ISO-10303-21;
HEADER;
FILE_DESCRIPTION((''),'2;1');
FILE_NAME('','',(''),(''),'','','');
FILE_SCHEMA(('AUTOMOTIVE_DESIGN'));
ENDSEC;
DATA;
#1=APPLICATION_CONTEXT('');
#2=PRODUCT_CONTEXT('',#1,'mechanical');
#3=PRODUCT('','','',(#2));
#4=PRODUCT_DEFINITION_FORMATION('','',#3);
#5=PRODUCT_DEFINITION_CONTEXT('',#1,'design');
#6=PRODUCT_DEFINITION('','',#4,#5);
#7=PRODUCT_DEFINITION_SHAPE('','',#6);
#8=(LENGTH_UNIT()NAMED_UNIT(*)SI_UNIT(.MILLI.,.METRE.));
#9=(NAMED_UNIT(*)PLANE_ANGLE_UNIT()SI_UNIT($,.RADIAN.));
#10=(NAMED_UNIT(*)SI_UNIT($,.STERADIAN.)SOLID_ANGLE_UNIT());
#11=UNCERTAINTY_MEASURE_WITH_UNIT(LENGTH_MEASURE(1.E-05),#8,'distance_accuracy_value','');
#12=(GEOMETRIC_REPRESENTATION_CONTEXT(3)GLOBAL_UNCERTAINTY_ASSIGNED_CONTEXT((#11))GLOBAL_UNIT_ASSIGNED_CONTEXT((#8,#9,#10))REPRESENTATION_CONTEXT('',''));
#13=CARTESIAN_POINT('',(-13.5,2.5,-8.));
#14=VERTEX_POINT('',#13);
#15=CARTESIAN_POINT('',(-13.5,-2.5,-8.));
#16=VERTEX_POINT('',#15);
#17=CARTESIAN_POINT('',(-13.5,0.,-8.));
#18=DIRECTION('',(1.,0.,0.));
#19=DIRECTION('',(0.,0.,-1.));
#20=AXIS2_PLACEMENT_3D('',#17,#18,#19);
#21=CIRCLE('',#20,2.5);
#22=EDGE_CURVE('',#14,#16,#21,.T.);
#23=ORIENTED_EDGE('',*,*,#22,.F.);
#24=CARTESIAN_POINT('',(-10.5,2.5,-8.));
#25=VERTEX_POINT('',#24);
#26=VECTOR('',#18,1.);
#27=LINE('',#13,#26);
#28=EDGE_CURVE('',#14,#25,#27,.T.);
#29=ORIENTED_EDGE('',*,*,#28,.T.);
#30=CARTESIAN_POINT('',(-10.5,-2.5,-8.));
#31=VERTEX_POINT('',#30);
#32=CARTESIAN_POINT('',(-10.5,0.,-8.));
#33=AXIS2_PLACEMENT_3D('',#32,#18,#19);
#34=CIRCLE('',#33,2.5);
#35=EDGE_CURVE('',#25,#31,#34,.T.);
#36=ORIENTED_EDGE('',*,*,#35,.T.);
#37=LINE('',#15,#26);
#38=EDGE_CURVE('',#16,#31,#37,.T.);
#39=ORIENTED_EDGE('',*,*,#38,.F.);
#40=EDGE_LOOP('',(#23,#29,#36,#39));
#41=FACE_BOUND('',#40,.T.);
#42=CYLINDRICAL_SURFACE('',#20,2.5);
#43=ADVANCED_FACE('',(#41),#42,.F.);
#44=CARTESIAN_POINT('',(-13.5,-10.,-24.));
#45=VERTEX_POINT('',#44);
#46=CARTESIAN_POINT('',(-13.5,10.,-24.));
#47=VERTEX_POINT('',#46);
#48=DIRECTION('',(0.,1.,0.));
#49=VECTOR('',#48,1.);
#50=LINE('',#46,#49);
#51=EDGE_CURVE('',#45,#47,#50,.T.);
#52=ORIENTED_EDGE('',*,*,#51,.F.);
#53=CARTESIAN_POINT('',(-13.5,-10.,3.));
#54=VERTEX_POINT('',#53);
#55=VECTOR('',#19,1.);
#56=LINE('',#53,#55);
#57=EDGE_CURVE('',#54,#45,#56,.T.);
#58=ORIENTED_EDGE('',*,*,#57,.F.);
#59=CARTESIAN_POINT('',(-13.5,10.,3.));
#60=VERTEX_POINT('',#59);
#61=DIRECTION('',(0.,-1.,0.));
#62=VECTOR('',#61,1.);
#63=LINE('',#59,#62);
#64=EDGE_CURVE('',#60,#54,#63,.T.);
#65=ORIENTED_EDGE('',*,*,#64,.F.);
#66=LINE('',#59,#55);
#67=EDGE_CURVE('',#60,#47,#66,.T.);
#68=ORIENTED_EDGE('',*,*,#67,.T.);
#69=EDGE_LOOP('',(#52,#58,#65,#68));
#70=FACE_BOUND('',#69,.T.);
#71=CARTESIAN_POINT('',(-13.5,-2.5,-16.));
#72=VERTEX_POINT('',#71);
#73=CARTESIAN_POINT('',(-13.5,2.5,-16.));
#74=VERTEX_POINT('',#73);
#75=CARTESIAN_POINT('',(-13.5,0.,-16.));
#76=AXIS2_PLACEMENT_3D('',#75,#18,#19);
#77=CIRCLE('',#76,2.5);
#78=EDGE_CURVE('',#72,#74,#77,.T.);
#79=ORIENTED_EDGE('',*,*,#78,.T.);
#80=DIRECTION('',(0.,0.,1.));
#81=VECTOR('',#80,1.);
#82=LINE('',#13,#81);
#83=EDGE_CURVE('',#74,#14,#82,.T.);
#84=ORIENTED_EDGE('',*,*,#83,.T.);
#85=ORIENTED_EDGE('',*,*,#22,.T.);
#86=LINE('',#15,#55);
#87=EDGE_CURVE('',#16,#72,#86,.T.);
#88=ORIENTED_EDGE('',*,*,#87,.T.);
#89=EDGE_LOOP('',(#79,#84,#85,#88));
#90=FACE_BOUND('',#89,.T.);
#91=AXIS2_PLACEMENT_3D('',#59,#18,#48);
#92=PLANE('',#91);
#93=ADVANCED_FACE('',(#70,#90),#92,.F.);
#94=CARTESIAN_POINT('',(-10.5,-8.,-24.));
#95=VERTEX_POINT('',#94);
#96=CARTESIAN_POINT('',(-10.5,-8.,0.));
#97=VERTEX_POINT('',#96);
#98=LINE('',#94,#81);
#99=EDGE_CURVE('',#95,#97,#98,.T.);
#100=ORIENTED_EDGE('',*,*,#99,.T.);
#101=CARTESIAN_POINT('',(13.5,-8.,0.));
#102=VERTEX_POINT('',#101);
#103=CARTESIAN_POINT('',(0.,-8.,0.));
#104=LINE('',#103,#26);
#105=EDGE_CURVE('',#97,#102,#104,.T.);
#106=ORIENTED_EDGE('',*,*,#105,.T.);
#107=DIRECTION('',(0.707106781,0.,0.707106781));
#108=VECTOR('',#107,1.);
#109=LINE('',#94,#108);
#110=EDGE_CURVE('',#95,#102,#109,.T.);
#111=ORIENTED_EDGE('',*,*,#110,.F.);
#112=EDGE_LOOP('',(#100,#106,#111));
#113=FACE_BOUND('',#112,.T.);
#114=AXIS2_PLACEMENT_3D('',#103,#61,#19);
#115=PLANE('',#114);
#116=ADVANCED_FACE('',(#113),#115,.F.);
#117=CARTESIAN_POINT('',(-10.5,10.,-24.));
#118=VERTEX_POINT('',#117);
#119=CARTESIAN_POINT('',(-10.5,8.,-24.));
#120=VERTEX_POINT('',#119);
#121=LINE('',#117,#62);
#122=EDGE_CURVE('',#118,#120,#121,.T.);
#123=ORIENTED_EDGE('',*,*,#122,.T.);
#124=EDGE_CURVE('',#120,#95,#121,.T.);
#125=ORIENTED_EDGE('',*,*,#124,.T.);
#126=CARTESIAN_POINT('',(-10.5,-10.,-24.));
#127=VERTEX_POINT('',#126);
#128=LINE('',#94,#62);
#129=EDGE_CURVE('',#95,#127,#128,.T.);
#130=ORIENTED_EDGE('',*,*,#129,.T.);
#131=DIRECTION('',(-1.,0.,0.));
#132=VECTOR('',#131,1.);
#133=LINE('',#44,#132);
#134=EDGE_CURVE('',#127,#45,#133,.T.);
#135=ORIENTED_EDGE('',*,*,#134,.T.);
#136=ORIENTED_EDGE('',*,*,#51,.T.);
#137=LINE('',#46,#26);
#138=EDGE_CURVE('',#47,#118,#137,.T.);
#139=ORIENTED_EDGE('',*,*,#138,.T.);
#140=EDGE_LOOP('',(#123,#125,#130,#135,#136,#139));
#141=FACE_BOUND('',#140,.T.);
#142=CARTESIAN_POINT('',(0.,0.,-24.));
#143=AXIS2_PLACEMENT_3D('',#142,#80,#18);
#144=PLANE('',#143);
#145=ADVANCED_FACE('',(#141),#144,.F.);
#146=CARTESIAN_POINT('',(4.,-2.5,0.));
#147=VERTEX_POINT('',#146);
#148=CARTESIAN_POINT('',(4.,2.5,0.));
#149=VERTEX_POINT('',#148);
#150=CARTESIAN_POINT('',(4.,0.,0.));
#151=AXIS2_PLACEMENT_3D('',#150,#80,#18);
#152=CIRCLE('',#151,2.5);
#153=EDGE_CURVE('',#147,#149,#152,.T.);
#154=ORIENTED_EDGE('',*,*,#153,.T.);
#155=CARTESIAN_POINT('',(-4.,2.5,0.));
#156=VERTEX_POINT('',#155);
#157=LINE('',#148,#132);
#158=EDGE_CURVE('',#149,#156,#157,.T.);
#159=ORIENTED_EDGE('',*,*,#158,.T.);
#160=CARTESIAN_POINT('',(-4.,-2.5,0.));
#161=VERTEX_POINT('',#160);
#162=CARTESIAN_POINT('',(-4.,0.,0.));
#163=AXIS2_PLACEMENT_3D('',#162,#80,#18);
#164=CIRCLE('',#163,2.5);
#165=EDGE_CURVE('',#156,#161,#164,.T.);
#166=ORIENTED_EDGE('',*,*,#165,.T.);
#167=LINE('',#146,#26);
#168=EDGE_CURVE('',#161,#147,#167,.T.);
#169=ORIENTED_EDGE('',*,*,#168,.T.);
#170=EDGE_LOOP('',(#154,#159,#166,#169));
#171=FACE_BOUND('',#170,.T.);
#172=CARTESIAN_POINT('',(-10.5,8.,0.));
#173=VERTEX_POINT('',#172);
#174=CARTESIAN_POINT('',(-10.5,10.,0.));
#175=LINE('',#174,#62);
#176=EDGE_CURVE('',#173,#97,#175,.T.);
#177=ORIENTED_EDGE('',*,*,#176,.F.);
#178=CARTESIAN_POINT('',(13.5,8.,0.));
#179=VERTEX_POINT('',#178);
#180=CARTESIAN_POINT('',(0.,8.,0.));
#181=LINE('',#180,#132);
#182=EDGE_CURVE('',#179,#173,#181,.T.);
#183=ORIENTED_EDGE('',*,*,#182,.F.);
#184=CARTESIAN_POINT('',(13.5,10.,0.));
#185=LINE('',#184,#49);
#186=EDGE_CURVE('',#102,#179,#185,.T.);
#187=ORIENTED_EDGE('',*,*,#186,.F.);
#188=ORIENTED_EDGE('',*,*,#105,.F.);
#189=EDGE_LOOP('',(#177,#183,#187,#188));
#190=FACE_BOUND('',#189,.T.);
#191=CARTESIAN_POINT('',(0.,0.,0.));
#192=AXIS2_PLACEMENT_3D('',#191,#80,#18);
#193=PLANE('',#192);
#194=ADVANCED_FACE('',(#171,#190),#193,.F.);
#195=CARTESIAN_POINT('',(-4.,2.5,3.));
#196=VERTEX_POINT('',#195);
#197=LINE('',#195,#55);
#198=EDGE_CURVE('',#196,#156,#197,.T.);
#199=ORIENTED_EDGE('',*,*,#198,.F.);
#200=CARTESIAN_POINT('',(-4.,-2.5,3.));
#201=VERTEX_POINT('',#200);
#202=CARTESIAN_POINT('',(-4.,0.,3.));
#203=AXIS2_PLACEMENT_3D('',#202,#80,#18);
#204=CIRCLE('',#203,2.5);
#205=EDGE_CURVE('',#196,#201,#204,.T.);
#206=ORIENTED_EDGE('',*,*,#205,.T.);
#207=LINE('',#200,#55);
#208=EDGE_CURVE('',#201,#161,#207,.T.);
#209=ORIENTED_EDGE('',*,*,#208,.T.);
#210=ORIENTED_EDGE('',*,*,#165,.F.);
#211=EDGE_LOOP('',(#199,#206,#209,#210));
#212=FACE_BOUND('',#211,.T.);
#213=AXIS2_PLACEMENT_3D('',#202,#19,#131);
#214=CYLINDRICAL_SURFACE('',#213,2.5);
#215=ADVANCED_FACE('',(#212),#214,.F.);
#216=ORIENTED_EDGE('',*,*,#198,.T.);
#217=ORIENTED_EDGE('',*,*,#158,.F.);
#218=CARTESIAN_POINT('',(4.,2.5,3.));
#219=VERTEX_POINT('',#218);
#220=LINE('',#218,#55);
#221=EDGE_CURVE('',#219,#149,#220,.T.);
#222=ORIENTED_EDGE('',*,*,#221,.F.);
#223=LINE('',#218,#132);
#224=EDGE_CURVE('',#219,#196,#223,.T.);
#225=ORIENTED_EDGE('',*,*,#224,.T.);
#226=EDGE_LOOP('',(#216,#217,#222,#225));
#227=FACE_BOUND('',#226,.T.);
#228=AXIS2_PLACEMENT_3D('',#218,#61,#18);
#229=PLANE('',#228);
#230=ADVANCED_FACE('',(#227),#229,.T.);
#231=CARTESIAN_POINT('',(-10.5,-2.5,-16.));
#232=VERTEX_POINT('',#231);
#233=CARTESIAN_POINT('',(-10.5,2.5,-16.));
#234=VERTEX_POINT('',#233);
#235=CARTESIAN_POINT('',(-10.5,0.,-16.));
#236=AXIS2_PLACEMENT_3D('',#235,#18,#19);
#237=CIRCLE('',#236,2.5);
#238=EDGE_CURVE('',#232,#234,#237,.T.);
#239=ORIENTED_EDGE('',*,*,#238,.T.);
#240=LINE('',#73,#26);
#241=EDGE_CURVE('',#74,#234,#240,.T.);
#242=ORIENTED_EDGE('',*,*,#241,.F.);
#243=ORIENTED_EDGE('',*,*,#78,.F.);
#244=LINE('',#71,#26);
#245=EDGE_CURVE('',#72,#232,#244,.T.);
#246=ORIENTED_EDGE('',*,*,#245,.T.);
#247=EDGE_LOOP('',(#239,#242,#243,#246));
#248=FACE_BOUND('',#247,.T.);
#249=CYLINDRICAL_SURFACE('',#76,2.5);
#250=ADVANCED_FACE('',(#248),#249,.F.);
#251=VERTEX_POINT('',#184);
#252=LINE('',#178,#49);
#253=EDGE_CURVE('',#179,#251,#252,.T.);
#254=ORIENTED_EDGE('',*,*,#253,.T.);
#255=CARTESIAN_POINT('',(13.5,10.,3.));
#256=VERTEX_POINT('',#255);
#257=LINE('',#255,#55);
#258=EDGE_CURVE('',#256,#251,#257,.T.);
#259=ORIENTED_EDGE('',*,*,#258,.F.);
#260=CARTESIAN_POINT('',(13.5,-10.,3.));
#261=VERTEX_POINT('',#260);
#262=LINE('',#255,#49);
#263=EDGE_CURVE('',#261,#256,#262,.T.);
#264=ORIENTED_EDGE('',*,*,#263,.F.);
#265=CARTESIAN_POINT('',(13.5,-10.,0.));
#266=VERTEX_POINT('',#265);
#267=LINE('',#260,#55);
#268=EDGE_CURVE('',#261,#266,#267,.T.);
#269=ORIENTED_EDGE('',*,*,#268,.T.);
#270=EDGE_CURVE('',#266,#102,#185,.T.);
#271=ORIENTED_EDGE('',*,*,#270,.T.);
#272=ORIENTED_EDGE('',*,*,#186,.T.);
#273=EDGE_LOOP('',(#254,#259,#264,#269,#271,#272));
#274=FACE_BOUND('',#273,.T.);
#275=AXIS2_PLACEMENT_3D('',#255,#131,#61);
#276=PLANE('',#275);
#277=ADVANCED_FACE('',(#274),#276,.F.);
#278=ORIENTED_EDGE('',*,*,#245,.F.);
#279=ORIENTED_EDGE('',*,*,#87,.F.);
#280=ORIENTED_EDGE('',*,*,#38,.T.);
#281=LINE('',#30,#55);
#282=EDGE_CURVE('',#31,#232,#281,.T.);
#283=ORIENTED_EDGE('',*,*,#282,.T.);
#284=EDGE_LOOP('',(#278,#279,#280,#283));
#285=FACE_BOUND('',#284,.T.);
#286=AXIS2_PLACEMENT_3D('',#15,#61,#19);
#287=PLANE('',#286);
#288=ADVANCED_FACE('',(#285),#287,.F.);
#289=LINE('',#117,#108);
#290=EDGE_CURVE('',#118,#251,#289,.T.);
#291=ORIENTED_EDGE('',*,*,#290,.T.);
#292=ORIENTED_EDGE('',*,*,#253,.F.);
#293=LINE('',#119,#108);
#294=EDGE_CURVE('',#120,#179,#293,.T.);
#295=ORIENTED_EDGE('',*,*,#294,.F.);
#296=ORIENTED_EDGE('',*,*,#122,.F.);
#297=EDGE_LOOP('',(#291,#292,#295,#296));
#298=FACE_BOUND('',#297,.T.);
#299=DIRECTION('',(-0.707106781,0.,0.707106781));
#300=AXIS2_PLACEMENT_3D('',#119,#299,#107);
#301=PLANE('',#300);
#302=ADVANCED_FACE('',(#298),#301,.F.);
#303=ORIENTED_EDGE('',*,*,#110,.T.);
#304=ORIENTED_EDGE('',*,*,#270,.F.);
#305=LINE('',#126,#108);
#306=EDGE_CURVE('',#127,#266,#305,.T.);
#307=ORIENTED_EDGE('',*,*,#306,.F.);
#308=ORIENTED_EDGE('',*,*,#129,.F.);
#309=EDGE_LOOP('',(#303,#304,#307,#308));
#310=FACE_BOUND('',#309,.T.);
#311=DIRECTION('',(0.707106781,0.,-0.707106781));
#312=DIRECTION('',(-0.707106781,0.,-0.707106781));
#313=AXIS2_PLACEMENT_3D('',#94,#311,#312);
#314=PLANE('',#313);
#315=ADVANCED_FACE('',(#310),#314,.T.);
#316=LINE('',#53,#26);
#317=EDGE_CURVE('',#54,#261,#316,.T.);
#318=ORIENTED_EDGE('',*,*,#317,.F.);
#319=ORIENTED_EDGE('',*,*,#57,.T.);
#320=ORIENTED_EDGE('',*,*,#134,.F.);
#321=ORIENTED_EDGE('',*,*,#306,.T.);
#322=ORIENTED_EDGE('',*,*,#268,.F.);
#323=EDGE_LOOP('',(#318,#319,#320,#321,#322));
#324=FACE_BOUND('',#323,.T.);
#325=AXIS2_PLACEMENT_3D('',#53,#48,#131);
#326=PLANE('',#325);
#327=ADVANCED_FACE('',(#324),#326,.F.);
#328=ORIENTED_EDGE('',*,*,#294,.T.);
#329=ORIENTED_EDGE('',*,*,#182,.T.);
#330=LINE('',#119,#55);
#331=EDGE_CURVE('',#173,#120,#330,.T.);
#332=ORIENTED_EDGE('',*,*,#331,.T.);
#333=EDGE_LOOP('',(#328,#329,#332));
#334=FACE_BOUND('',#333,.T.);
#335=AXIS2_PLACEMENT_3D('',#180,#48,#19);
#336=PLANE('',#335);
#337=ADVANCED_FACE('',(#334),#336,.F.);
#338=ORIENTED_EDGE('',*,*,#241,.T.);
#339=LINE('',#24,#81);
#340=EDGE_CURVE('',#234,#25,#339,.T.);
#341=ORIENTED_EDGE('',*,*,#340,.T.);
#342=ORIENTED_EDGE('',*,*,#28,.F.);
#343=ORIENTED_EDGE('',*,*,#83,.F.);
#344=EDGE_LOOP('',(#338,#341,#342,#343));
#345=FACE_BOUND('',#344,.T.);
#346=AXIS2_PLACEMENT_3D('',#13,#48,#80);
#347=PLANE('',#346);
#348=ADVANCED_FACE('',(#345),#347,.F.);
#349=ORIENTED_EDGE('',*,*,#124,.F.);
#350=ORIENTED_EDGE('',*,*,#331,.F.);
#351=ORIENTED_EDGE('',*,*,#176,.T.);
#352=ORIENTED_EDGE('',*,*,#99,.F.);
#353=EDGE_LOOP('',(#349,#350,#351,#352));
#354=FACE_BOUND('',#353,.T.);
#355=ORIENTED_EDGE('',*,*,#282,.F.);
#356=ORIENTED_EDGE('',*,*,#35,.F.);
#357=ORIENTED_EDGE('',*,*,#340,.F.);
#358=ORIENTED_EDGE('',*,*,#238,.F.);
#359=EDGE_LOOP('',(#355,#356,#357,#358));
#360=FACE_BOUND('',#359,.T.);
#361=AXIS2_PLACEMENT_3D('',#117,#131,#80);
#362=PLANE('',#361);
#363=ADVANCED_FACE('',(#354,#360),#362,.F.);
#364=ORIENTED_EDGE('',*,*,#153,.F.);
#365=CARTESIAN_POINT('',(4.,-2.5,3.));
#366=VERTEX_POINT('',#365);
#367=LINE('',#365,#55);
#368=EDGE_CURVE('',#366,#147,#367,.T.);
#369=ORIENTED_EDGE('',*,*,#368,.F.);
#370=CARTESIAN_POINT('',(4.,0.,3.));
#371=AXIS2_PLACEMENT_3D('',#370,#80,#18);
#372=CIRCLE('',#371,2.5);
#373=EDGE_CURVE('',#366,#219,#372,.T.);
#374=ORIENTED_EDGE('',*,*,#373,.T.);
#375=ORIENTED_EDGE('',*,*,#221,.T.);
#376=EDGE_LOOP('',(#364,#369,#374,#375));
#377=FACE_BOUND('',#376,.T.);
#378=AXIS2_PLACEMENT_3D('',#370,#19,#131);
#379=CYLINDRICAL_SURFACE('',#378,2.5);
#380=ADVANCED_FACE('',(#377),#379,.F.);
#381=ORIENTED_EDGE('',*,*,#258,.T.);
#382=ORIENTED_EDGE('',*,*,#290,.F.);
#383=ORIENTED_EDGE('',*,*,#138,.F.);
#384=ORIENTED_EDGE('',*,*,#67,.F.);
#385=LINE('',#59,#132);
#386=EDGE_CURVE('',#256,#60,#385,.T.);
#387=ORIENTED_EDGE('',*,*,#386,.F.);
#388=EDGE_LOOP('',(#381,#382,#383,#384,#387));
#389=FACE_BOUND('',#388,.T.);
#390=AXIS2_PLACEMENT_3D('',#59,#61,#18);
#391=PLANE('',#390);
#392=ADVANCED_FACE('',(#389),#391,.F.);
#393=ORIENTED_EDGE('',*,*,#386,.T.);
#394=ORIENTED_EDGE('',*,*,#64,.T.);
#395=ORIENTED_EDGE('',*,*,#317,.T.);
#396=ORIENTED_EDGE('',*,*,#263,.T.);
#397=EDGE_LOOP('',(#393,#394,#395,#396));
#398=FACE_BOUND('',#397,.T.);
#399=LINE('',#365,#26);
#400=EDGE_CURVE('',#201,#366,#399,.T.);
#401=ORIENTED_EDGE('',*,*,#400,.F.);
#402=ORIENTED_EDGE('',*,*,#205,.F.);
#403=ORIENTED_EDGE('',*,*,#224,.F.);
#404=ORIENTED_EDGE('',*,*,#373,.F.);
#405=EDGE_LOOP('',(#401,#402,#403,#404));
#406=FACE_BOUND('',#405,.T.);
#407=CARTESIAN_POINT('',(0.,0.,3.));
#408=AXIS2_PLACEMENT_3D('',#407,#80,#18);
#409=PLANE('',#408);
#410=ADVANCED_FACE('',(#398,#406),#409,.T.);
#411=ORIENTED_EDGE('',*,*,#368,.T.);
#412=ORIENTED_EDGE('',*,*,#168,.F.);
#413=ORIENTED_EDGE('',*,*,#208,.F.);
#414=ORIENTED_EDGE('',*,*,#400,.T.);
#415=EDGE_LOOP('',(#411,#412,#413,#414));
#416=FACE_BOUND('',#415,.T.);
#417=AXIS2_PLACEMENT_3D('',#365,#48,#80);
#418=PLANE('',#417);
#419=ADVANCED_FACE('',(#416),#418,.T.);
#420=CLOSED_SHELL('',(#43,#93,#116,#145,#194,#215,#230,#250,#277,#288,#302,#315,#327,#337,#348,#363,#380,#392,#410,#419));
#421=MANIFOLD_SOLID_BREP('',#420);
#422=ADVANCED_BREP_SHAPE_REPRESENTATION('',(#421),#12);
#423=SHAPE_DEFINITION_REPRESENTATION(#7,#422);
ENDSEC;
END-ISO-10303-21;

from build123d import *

# Parameters (mm, degrees)
SKETCH1_W           = 27
SKETCH1_H           = 20
BOSS_EXTRUDE1_DEPTH = 3
SKETCH2_W           = 3
SKETCH2_H           = 20
BOSS_EXTRUDE2_DEPTH = 24
BOSS_EXTRUDE3_DEPTH = 2
CUT_EXTRUDE1_DEPTH  = 3


with BuildPart() as part:
    # Sketch1 → Boss-Extrude1 (new body)
    with BuildSketch(Plane.XY):
        Rectangle(SKETCH1_W, SKETCH1_H)
        with BuildLine():
            Line((4, -2.5), (-4, -2.5))
            ThreePointArc((-4, -2.5), (-6.5, 0), (-4, 2.5))
            Line((-4, 2.5), (4, 2.5))
            ThreePointArc((4, 2.5), (6.5, 0), (4, -2.5))
        make_face(mode=Mode.SUBTRACT)
    extrude(amount=BOSS_EXTRUDE1_DEPTH)

    # Sketch2 → Boss-Extrude2 (add)
    with BuildSketch(Plane(origin=(0, 0, 0), x_dir=(-1, 0, 0), z_dir=(0, 0, -1))):
        with Locations((12, 0)):
            Rectangle(SKETCH2_W, SKETCH2_H)
    extrude(amount=BOSS_EXTRUDE2_DEPTH)

    # Sketch3 → Boss-Extrude3 (add)
    with BuildSketch(Plane.XZ.offset(10)):
        Polygon((-10.5, -24), (13.5, 0), (13.5, 3), (-13.5, 3), (-13.5, -24), align=None)
    boss_extrude3 = extrude(amount=-BOSS_EXTRUDE3_DEPTH)

    # Mirror1: Boss-Extrude3 across plane
    add(boss_extrude3.mirror(Plane.ZX))

    # Sketch4 → Cut-Extrude1 (cut)
    with BuildSketch(Plane(origin=(-10.5, 0, 0), x_dir=(0, 0, -1), z_dir=(1, 0, 0))):
        with BuildLine():
            Line((8, 2.5), (16, 2.5))
            ThreePointArc((16, 2.5), (18.5, 0), (16, -2.5))
            Line((16, -2.5), (8, -2.5))
            ThreePointArc((8, -2.5), (5.5, 0), (8, 2.5))
        make_face()
    extrude(amount=-CUT_EXTRUDE1_DEPTH, mode=Mode.SUBTRACT)


solid = part.part
